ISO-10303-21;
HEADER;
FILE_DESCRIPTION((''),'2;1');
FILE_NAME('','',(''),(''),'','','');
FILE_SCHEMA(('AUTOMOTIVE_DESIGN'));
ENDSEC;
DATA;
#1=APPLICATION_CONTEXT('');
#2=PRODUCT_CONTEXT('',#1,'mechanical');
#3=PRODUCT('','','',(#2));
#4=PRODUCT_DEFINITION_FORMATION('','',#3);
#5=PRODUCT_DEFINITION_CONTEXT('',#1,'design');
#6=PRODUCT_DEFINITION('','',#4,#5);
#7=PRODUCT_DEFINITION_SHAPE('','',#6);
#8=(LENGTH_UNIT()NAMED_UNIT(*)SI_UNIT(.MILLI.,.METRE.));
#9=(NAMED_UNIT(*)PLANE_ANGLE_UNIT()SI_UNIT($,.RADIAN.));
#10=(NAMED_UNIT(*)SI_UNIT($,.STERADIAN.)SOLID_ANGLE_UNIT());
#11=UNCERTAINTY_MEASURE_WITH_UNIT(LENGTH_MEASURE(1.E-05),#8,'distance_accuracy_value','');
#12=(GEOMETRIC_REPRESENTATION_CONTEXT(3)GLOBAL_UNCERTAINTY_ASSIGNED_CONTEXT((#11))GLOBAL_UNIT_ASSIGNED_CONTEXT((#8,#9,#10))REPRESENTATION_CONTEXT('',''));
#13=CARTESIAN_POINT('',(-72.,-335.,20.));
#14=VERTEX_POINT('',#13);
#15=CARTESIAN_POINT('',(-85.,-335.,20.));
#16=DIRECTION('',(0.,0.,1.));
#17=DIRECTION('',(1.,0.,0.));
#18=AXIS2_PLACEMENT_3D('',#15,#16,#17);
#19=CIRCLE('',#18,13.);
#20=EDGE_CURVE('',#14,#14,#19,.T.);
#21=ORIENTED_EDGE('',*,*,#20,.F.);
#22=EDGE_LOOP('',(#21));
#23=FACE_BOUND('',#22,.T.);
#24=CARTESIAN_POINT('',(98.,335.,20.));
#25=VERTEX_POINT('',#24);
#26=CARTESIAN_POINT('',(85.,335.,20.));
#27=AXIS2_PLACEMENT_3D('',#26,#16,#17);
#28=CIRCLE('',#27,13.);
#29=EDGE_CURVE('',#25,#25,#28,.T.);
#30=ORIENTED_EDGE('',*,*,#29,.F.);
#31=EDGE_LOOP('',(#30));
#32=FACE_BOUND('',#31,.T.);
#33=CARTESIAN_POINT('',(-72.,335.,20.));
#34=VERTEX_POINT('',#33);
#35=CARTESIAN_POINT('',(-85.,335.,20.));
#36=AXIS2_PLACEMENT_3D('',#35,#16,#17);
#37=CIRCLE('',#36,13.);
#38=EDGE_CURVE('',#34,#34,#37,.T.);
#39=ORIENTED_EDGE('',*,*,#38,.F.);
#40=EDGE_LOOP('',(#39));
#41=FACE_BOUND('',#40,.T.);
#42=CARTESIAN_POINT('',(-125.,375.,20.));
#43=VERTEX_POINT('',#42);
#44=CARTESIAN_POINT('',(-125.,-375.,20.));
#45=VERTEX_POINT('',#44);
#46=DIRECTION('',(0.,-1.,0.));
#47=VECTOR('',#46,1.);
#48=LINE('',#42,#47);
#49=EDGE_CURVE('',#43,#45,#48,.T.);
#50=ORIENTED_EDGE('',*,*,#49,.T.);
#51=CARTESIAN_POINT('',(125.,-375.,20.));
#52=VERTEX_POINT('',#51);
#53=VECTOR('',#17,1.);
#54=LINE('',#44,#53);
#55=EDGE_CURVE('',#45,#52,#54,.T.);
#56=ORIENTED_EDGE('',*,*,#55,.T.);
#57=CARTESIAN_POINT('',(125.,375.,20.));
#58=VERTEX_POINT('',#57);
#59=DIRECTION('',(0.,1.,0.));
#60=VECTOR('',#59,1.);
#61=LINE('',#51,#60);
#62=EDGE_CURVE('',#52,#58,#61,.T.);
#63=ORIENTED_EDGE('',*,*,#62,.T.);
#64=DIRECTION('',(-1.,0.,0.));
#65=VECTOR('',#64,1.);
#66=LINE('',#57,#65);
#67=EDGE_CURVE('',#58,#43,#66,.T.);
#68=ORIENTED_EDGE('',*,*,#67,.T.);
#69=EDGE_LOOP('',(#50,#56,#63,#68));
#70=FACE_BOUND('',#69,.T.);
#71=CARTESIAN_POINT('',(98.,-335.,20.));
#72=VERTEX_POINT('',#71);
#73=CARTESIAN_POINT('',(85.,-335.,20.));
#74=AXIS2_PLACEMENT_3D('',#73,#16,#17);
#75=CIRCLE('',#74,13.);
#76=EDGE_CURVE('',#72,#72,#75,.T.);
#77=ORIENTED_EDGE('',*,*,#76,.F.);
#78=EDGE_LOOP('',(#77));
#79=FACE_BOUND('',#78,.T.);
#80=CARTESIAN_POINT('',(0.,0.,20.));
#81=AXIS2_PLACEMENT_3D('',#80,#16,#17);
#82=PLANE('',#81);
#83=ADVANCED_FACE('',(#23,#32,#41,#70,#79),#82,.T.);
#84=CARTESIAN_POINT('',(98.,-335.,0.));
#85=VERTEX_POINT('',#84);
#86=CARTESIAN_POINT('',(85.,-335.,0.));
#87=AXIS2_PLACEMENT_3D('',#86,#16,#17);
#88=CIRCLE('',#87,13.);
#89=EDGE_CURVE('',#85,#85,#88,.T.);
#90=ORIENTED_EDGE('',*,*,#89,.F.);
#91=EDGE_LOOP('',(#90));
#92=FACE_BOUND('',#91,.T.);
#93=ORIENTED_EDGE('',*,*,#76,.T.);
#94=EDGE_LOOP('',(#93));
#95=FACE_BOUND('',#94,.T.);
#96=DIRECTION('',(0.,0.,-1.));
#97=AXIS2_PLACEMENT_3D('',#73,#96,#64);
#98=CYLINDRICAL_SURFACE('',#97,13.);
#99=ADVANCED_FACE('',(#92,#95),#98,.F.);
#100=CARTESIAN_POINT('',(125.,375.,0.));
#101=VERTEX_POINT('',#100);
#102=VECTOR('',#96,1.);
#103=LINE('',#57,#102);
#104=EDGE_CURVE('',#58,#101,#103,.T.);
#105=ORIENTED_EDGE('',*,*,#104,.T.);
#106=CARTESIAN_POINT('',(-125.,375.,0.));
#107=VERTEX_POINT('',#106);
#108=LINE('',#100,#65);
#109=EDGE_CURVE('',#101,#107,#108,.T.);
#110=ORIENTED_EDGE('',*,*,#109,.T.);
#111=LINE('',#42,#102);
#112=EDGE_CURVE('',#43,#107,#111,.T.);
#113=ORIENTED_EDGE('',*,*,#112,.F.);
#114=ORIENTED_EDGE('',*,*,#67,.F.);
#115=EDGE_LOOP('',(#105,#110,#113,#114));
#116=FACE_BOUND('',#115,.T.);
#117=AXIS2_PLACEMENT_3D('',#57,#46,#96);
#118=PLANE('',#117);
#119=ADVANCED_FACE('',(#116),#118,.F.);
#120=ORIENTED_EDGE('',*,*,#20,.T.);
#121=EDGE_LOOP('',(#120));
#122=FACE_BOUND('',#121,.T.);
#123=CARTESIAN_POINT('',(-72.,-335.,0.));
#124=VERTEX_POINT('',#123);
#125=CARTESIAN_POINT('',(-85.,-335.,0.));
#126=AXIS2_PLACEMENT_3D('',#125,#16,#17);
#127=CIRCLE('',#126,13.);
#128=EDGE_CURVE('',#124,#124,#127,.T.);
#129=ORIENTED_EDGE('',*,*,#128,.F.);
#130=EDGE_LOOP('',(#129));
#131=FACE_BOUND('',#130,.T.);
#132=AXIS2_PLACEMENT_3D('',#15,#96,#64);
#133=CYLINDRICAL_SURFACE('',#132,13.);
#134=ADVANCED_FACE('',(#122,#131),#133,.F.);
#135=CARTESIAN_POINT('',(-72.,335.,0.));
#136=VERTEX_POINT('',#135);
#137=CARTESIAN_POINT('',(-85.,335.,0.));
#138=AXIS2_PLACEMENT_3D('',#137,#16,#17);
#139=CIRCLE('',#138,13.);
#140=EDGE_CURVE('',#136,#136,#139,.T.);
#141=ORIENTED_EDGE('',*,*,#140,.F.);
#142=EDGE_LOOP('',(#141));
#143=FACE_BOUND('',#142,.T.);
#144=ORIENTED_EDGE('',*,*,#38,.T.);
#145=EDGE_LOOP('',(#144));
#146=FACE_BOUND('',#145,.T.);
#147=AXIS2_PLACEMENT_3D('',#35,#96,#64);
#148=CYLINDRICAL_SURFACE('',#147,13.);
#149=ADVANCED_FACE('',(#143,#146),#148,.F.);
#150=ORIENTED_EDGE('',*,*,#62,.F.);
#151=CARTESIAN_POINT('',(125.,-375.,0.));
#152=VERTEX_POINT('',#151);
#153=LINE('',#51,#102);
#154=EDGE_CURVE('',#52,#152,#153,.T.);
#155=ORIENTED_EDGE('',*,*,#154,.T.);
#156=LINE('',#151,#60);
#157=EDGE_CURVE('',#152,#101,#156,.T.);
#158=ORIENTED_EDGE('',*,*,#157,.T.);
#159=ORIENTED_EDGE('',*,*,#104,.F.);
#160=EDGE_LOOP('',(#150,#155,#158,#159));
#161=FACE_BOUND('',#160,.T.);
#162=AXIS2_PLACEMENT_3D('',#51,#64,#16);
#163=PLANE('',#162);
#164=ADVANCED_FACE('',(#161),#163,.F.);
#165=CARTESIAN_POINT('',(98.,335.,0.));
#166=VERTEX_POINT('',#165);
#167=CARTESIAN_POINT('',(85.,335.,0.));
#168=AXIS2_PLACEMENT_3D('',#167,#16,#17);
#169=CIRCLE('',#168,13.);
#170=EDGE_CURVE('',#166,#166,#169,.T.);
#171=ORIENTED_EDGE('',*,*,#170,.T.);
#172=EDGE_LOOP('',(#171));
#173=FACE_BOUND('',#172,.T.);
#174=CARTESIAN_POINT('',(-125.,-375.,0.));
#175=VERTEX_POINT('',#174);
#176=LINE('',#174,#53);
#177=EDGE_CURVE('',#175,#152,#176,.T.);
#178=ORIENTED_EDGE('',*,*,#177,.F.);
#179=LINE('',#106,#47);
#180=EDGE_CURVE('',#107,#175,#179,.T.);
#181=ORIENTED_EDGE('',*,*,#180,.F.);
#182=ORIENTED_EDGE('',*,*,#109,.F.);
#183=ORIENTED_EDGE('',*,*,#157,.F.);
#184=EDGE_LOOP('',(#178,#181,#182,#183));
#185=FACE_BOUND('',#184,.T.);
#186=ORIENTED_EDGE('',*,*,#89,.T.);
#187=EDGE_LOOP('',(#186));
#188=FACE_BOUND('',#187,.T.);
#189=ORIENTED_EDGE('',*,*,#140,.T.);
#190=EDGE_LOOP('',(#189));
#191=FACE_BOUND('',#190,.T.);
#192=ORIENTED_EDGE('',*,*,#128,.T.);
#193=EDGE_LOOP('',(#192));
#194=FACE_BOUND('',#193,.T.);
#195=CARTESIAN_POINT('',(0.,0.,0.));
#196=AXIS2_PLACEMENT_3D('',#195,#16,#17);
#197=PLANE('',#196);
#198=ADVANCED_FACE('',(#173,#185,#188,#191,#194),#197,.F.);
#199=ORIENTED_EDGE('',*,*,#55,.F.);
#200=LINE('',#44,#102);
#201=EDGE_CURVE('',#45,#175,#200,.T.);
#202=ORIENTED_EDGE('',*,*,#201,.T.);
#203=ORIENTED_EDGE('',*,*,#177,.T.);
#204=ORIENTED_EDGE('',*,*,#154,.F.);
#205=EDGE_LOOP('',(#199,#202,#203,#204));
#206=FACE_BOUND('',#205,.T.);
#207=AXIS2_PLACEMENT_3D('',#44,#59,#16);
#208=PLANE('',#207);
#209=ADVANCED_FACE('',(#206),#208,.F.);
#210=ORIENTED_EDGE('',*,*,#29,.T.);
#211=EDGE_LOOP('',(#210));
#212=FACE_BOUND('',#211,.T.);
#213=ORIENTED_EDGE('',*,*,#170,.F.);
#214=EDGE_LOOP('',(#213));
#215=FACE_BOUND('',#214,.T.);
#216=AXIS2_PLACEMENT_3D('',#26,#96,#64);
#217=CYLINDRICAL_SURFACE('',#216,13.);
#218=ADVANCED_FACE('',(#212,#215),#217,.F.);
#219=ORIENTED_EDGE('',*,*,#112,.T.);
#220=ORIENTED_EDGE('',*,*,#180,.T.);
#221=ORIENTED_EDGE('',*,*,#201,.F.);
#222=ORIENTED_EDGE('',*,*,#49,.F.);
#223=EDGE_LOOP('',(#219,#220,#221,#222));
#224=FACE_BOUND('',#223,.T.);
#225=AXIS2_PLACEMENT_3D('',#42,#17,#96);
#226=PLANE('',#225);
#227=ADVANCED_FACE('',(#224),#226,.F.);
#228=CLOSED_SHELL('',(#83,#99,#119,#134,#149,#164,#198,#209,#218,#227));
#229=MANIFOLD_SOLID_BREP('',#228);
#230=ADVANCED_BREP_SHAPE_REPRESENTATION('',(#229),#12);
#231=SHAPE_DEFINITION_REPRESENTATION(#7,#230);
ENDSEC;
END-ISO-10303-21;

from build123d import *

# Parameters (mm, degrees)
SKETCH_1_W      = 250
SKETCH_1_H      = 750
SKETCH_1_R      = 13
EXTRUDE_1_DEPTH = 20


with BuildPart() as part:
    # Эскиз1 → Бобышка-Вытянуть1 (new body)
    with BuildSketch(Plane.XY):
        Rectangle(SKETCH_1_W, SKETCH_1_H)
        with Locations((-85, -335)):
            Circle(SKETCH_1_R, mode=Mode.SUBTRACT)
        with Locations((85, -335)):
            Circle(SKETCH_1_R, mode=Mode.SUBTRACT)
        with Locations((-85, 335)):
            Circle(SKETCH_1_R, mode=Mode.SUBTRACT)
        with Locations((85, 335)):
            Circle(SKETCH_1_R, mode=Mode.SUBTRACT)
    extrude(amount=EXTRUDE_1_DEPTH)


solid = part.part
